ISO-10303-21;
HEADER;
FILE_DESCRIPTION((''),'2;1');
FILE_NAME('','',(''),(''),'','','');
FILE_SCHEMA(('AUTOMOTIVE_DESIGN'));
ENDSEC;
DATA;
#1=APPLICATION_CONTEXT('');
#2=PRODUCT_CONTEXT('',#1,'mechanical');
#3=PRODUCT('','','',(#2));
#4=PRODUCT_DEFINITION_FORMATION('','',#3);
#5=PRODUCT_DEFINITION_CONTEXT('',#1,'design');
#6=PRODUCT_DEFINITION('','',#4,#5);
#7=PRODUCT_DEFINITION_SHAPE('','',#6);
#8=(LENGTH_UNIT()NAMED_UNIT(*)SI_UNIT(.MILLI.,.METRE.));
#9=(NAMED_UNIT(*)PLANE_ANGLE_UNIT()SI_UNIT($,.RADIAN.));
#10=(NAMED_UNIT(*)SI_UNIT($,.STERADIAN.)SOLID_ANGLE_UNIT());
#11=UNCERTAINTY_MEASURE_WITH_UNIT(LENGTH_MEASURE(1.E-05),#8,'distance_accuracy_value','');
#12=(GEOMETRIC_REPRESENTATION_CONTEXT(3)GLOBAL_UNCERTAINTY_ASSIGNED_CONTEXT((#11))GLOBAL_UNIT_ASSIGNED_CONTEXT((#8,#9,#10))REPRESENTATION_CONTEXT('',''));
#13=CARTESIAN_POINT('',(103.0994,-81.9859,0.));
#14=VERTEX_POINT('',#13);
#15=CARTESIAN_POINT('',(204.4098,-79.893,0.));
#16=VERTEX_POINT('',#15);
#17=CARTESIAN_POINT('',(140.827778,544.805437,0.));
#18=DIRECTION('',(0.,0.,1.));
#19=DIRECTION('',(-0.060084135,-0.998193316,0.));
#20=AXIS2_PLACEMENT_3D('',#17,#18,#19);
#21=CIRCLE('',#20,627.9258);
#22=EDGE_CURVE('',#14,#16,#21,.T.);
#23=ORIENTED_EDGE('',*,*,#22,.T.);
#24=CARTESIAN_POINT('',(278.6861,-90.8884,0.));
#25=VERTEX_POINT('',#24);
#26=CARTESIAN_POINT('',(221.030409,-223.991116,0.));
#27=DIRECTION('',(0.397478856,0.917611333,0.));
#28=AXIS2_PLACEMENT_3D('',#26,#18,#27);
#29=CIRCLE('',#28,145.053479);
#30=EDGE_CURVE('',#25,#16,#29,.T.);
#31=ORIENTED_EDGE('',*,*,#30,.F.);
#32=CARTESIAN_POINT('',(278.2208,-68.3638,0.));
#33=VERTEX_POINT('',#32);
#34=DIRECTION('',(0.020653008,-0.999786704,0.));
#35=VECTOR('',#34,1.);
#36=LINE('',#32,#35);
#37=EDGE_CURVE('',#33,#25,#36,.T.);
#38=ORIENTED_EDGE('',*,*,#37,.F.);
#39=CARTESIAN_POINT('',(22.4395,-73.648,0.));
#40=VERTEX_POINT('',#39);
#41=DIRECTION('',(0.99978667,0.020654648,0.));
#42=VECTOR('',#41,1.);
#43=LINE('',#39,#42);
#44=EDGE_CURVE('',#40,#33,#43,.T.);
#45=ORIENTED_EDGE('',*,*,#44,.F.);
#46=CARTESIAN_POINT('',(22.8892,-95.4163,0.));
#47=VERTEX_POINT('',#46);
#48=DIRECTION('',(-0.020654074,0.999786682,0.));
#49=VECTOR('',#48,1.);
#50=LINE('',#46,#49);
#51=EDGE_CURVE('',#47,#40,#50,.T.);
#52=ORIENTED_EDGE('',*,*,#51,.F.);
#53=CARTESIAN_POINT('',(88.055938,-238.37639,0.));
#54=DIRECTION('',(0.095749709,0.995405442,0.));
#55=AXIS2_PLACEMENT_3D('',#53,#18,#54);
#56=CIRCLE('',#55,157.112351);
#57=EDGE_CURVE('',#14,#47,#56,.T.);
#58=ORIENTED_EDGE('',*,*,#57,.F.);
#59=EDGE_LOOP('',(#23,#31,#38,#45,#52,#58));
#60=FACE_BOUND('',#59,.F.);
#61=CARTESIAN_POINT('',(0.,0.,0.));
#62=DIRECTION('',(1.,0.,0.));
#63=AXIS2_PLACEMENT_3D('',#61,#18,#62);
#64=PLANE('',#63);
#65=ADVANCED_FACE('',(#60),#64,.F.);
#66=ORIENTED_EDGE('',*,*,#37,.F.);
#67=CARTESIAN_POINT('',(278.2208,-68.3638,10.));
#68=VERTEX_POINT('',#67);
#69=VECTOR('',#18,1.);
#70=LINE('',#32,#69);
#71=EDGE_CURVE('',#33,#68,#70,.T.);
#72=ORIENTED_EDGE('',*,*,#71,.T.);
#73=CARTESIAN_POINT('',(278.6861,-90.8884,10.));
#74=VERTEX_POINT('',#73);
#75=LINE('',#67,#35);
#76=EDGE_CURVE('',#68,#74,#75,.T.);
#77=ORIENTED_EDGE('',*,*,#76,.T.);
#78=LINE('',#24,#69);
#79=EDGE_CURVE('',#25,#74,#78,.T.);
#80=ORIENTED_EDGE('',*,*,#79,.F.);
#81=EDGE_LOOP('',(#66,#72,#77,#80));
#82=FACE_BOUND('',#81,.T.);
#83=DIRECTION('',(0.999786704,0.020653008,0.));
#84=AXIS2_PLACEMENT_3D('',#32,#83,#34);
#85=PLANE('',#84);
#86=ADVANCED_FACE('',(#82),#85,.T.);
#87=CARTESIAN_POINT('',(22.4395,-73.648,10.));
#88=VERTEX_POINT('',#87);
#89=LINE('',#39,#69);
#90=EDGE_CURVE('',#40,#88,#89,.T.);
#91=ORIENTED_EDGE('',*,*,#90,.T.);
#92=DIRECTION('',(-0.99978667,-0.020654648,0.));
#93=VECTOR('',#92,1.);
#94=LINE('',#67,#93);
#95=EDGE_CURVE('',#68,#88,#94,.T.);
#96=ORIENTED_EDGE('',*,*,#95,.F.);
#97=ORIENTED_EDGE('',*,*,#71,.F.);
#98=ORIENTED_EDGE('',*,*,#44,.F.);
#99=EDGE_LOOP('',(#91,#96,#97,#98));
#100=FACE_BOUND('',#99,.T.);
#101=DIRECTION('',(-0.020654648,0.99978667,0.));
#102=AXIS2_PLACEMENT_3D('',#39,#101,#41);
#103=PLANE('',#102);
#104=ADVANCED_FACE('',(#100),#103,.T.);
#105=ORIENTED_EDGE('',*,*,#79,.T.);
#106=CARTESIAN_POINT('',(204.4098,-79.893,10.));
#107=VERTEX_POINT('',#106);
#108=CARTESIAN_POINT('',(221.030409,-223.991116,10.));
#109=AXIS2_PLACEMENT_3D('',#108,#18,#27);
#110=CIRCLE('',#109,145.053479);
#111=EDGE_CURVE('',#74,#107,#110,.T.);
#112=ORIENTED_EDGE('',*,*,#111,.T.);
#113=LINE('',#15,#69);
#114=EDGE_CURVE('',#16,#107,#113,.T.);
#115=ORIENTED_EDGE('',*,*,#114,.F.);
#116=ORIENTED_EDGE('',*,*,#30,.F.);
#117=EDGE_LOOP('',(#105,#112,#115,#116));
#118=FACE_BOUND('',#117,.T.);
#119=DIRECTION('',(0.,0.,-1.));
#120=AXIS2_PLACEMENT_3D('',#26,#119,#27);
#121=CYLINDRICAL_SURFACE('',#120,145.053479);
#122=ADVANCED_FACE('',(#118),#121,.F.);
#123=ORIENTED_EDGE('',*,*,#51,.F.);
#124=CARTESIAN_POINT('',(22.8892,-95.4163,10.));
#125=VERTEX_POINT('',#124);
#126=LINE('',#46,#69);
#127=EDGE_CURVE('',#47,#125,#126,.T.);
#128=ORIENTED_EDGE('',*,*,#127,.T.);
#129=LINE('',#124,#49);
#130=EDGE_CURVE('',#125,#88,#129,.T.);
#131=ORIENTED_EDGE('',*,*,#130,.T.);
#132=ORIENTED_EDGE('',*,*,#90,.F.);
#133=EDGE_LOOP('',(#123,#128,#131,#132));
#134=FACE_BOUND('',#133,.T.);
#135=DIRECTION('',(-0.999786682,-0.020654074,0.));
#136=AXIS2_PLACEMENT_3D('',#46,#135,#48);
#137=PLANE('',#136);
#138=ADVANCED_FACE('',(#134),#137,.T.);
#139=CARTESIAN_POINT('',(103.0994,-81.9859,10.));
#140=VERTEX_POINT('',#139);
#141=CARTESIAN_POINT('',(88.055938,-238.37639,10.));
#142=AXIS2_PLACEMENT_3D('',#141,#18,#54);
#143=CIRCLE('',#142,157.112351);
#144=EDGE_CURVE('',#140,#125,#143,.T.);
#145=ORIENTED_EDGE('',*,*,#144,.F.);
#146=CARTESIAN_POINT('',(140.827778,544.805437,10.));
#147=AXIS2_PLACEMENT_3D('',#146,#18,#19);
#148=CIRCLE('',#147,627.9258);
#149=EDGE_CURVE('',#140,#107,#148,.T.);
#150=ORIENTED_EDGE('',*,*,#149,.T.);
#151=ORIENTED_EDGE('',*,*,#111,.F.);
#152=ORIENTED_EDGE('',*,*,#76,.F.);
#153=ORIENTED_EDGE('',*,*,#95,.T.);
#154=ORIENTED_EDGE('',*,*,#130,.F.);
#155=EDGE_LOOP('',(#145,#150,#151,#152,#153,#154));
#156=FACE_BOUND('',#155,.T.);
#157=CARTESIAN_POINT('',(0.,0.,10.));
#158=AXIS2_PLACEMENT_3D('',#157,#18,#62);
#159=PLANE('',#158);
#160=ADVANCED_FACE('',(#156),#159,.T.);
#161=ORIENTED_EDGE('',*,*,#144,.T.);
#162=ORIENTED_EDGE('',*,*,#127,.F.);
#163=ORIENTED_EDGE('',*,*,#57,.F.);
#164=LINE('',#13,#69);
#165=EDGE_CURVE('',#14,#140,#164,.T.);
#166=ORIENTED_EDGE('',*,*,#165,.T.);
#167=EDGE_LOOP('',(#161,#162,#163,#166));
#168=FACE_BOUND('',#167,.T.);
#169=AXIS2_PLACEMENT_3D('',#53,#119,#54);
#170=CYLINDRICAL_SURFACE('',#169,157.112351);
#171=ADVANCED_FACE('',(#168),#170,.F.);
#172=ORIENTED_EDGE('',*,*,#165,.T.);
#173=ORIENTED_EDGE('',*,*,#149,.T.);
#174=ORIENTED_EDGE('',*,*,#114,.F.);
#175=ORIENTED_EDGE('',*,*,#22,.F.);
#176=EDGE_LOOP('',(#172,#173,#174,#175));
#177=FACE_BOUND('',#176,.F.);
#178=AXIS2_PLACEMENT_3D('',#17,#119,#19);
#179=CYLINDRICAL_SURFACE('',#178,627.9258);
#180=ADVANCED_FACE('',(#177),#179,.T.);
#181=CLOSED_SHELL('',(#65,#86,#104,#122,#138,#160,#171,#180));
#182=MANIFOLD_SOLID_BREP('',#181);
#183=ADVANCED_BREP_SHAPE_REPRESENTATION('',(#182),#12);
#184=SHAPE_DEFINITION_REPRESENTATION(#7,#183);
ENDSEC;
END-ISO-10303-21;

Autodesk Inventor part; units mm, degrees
ref_plane "YZ Plane" through (0, 0, 0) normal (1, 0, 0) x (0, 1, 0)
ref_plane "XZ Plane" through (0, 0, 0) normal (0, 1, 0) x (-1, 0, 0)
ref_plane "XY Plane" through (0, 0, 0) normal (0, 0, 1) x (1, 0, 0)
sketch "Sketch1" plane through (0, 0, 0) normal (0, 0, 1) x (1, 0, 0)
  line L0 (0, 0) -> (293.4944, 0) construction
  line L1 (293.4944, 0) -> (293.4944, -132.0217) construction
  line L2 (293.4944, -132.0217) -> (0, -132.0217) construction
  line L3 (0, -132.0217) -> (0, 0) construction
  line L4 (79.3681, -56.3049) -> (159.3681, -56.3049) construction
  line L5 (283.1562, -93.1287) -> (278.6861, -90.8884) construction
  line L6 (283.1562, -93.1287) -> (282.3201, -93.1287) construction
  line L7 (18.3483, -97.5091) -> (22.8892, -95.4163) construction
  line L8 (18.3483, -97.5091) -> (20.5956, -97.5091) construction
  arc A0 (103.0994, -81.9859) -> (22.8892, -95.4163) centre (88.0559, -238.3753) ccw
  arc A1 (278.6861, -90.8884) -> (204.4098, -79.893) centre (221.0301, -223.9922) ccw
  arc A2 (103.0994, -81.9859) -> (204.4098, -79.893) centre (140.8276, 544.7964) ccw
  line L9 (22.8892, -95.4163) -> (22.4395, -73.648)
  line L10 (22.4395, -73.648) -> (278.2208, -68.3638)
  line L11 (278.2208, -68.3638) -> (278.6861, -90.8884)
  line L12 (103.0994, -81.9859) -> (204.4098, -79.893)
  line L13 (103.0994, -81.9859) -> (102.8928, -71.9859)
  line L14 (204.4098, -79.893) -> (204.2032, -69.893)
  dimension "d5" = 80
  dimension "d85" = 5
  dimension "d87" = 26.619
  dimension "d92" = 5
  dimension "d94" = 24.743
  dimension "d100" = 30
  dimension "d101" = 30
  dimension "d119" = 10
  dimension "d122" = 9.256
extrude "Extrusion1" add sketch "Sketch1" along normal blind 10
properties part number "deseczka_dol_check"
